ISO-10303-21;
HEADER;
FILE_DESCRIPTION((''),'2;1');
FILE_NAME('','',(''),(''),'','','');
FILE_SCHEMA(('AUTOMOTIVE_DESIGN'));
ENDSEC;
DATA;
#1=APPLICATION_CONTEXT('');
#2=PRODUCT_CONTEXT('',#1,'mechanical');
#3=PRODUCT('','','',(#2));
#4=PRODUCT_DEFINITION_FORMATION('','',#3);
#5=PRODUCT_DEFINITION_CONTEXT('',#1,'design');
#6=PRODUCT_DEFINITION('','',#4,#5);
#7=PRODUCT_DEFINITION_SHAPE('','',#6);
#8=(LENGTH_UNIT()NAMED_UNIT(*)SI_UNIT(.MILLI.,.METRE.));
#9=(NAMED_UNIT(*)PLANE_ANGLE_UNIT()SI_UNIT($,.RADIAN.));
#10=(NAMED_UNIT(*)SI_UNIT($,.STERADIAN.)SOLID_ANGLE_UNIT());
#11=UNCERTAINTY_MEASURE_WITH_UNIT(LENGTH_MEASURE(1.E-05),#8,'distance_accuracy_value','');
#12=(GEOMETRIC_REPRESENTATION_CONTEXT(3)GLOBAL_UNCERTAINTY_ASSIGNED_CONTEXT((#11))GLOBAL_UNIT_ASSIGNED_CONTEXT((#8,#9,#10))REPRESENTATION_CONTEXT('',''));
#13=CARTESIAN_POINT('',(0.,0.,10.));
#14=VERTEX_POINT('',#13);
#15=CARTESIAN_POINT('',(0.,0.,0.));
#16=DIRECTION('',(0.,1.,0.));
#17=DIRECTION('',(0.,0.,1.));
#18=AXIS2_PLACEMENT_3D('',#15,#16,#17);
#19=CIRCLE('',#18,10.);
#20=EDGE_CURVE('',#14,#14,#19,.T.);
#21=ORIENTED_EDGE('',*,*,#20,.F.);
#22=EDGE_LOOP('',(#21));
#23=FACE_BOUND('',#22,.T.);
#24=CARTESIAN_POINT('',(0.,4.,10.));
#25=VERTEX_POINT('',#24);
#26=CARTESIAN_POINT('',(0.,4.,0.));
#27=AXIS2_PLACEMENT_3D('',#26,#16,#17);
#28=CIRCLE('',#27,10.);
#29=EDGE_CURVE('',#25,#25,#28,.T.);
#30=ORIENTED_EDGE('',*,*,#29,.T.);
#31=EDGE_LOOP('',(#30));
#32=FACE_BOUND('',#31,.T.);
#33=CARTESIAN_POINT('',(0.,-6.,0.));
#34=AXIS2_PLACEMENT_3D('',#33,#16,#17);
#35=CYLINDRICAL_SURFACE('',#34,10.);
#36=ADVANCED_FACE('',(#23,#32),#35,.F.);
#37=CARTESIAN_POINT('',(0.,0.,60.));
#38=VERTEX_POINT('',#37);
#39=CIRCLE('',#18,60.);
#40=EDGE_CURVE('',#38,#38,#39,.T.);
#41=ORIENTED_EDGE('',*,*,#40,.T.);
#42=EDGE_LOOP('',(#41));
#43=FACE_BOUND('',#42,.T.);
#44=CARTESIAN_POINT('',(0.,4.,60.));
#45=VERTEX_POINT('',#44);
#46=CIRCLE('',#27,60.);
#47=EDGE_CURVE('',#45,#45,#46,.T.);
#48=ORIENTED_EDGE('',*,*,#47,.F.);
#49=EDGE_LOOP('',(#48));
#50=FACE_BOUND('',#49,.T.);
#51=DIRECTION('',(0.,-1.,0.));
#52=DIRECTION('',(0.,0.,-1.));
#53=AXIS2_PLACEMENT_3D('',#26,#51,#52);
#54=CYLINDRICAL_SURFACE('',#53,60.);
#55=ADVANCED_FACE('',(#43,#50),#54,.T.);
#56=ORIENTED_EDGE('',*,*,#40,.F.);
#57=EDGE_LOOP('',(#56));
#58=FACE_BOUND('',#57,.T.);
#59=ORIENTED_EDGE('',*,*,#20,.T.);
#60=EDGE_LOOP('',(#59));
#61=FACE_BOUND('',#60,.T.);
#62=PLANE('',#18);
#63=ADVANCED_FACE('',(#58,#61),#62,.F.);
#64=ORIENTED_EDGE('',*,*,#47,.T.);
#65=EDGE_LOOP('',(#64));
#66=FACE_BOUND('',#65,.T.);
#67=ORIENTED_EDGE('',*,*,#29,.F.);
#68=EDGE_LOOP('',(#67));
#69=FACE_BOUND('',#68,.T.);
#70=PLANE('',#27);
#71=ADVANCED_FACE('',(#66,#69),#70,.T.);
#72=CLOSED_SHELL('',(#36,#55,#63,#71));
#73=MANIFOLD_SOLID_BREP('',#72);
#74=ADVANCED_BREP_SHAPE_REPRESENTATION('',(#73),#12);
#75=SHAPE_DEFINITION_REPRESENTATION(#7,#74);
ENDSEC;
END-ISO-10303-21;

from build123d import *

# Parameters (mm, degrees)
SKETCH1_R           = 60
BOSS_EXTRUDE1_DEPTH = 4
SKETCH2_R           = 10
CUT_EXTRUDE1_DEPTH  = 10


with BuildPart() as part:
    # Sketch1 → Boss-Extrude1 (new body)
    with BuildSketch(Plane(origin=(0, 0, 0), x_dir=(1, 0, 0), z_dir=(0, 1, 0))):
        Circle(SKETCH1_R)
    extrude(amount=BOSS_EXTRUDE1_DEPTH)

    # Sketch2 → Cut-Extrude1 (cut)
    with BuildSketch(Plane(origin=(0, 4, 0), x_dir=(1, 0, 0), z_dir=(0, 1, 0))):
        Circle(SKETCH2_R)
    extrude(amount=-CUT_EXTRUDE1_DEPTH, mode=Mode.SUBTRACT)


solid = part.part
